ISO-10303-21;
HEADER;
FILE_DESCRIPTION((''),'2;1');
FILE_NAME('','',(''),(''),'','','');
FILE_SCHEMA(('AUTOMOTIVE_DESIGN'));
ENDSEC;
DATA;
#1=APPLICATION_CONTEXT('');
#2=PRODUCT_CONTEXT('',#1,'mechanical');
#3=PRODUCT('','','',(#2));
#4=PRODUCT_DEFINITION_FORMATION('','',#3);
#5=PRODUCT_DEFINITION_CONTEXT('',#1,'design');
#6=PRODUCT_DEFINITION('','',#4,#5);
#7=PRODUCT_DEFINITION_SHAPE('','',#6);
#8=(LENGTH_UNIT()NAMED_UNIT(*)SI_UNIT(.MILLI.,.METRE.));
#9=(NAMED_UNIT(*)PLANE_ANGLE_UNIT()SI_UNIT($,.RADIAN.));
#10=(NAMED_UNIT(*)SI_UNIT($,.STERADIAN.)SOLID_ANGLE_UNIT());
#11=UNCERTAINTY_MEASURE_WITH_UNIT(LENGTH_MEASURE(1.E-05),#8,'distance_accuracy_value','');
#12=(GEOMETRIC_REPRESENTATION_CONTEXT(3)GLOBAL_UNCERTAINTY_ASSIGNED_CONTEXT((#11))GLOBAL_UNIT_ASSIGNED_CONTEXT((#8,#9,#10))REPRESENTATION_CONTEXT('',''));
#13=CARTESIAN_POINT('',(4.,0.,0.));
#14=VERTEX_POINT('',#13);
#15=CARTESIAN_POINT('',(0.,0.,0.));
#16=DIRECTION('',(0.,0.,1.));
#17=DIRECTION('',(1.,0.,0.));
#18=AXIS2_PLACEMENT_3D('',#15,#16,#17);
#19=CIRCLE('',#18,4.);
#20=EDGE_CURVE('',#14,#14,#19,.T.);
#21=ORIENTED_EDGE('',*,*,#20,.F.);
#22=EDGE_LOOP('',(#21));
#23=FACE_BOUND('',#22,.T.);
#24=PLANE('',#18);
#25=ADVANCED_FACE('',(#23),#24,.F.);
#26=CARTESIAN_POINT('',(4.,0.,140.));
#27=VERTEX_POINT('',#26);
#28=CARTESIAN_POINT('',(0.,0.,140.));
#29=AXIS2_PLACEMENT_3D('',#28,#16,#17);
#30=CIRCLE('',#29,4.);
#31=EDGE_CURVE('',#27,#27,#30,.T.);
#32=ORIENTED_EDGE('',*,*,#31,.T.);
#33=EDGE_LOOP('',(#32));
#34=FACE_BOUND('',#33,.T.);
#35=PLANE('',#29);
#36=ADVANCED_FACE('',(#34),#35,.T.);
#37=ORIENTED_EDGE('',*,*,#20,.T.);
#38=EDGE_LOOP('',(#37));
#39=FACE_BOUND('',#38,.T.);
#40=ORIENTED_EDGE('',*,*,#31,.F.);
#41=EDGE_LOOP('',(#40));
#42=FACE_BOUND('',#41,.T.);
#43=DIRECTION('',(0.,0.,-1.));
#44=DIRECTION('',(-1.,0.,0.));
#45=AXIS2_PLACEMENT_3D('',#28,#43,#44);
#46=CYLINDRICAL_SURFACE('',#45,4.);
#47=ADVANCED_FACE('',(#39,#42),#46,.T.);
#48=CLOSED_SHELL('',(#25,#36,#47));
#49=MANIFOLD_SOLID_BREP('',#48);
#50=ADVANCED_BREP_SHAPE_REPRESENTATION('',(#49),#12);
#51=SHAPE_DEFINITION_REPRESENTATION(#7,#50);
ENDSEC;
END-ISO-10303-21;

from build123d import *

# Parameters (mm, degrees)
ESQUISSE1_R        = 4
BOSS_EXTRU_1_DEPTH = 140


with BuildPart() as part:
    # Esquisse1 → Boss.-Extru.1 (new body)
    with BuildSketch(Plane.XY):
        Circle(ESQUISSE1_R)
    extrude(amount=BOSS_EXTRU_1_DEPTH)


solid = part.part
